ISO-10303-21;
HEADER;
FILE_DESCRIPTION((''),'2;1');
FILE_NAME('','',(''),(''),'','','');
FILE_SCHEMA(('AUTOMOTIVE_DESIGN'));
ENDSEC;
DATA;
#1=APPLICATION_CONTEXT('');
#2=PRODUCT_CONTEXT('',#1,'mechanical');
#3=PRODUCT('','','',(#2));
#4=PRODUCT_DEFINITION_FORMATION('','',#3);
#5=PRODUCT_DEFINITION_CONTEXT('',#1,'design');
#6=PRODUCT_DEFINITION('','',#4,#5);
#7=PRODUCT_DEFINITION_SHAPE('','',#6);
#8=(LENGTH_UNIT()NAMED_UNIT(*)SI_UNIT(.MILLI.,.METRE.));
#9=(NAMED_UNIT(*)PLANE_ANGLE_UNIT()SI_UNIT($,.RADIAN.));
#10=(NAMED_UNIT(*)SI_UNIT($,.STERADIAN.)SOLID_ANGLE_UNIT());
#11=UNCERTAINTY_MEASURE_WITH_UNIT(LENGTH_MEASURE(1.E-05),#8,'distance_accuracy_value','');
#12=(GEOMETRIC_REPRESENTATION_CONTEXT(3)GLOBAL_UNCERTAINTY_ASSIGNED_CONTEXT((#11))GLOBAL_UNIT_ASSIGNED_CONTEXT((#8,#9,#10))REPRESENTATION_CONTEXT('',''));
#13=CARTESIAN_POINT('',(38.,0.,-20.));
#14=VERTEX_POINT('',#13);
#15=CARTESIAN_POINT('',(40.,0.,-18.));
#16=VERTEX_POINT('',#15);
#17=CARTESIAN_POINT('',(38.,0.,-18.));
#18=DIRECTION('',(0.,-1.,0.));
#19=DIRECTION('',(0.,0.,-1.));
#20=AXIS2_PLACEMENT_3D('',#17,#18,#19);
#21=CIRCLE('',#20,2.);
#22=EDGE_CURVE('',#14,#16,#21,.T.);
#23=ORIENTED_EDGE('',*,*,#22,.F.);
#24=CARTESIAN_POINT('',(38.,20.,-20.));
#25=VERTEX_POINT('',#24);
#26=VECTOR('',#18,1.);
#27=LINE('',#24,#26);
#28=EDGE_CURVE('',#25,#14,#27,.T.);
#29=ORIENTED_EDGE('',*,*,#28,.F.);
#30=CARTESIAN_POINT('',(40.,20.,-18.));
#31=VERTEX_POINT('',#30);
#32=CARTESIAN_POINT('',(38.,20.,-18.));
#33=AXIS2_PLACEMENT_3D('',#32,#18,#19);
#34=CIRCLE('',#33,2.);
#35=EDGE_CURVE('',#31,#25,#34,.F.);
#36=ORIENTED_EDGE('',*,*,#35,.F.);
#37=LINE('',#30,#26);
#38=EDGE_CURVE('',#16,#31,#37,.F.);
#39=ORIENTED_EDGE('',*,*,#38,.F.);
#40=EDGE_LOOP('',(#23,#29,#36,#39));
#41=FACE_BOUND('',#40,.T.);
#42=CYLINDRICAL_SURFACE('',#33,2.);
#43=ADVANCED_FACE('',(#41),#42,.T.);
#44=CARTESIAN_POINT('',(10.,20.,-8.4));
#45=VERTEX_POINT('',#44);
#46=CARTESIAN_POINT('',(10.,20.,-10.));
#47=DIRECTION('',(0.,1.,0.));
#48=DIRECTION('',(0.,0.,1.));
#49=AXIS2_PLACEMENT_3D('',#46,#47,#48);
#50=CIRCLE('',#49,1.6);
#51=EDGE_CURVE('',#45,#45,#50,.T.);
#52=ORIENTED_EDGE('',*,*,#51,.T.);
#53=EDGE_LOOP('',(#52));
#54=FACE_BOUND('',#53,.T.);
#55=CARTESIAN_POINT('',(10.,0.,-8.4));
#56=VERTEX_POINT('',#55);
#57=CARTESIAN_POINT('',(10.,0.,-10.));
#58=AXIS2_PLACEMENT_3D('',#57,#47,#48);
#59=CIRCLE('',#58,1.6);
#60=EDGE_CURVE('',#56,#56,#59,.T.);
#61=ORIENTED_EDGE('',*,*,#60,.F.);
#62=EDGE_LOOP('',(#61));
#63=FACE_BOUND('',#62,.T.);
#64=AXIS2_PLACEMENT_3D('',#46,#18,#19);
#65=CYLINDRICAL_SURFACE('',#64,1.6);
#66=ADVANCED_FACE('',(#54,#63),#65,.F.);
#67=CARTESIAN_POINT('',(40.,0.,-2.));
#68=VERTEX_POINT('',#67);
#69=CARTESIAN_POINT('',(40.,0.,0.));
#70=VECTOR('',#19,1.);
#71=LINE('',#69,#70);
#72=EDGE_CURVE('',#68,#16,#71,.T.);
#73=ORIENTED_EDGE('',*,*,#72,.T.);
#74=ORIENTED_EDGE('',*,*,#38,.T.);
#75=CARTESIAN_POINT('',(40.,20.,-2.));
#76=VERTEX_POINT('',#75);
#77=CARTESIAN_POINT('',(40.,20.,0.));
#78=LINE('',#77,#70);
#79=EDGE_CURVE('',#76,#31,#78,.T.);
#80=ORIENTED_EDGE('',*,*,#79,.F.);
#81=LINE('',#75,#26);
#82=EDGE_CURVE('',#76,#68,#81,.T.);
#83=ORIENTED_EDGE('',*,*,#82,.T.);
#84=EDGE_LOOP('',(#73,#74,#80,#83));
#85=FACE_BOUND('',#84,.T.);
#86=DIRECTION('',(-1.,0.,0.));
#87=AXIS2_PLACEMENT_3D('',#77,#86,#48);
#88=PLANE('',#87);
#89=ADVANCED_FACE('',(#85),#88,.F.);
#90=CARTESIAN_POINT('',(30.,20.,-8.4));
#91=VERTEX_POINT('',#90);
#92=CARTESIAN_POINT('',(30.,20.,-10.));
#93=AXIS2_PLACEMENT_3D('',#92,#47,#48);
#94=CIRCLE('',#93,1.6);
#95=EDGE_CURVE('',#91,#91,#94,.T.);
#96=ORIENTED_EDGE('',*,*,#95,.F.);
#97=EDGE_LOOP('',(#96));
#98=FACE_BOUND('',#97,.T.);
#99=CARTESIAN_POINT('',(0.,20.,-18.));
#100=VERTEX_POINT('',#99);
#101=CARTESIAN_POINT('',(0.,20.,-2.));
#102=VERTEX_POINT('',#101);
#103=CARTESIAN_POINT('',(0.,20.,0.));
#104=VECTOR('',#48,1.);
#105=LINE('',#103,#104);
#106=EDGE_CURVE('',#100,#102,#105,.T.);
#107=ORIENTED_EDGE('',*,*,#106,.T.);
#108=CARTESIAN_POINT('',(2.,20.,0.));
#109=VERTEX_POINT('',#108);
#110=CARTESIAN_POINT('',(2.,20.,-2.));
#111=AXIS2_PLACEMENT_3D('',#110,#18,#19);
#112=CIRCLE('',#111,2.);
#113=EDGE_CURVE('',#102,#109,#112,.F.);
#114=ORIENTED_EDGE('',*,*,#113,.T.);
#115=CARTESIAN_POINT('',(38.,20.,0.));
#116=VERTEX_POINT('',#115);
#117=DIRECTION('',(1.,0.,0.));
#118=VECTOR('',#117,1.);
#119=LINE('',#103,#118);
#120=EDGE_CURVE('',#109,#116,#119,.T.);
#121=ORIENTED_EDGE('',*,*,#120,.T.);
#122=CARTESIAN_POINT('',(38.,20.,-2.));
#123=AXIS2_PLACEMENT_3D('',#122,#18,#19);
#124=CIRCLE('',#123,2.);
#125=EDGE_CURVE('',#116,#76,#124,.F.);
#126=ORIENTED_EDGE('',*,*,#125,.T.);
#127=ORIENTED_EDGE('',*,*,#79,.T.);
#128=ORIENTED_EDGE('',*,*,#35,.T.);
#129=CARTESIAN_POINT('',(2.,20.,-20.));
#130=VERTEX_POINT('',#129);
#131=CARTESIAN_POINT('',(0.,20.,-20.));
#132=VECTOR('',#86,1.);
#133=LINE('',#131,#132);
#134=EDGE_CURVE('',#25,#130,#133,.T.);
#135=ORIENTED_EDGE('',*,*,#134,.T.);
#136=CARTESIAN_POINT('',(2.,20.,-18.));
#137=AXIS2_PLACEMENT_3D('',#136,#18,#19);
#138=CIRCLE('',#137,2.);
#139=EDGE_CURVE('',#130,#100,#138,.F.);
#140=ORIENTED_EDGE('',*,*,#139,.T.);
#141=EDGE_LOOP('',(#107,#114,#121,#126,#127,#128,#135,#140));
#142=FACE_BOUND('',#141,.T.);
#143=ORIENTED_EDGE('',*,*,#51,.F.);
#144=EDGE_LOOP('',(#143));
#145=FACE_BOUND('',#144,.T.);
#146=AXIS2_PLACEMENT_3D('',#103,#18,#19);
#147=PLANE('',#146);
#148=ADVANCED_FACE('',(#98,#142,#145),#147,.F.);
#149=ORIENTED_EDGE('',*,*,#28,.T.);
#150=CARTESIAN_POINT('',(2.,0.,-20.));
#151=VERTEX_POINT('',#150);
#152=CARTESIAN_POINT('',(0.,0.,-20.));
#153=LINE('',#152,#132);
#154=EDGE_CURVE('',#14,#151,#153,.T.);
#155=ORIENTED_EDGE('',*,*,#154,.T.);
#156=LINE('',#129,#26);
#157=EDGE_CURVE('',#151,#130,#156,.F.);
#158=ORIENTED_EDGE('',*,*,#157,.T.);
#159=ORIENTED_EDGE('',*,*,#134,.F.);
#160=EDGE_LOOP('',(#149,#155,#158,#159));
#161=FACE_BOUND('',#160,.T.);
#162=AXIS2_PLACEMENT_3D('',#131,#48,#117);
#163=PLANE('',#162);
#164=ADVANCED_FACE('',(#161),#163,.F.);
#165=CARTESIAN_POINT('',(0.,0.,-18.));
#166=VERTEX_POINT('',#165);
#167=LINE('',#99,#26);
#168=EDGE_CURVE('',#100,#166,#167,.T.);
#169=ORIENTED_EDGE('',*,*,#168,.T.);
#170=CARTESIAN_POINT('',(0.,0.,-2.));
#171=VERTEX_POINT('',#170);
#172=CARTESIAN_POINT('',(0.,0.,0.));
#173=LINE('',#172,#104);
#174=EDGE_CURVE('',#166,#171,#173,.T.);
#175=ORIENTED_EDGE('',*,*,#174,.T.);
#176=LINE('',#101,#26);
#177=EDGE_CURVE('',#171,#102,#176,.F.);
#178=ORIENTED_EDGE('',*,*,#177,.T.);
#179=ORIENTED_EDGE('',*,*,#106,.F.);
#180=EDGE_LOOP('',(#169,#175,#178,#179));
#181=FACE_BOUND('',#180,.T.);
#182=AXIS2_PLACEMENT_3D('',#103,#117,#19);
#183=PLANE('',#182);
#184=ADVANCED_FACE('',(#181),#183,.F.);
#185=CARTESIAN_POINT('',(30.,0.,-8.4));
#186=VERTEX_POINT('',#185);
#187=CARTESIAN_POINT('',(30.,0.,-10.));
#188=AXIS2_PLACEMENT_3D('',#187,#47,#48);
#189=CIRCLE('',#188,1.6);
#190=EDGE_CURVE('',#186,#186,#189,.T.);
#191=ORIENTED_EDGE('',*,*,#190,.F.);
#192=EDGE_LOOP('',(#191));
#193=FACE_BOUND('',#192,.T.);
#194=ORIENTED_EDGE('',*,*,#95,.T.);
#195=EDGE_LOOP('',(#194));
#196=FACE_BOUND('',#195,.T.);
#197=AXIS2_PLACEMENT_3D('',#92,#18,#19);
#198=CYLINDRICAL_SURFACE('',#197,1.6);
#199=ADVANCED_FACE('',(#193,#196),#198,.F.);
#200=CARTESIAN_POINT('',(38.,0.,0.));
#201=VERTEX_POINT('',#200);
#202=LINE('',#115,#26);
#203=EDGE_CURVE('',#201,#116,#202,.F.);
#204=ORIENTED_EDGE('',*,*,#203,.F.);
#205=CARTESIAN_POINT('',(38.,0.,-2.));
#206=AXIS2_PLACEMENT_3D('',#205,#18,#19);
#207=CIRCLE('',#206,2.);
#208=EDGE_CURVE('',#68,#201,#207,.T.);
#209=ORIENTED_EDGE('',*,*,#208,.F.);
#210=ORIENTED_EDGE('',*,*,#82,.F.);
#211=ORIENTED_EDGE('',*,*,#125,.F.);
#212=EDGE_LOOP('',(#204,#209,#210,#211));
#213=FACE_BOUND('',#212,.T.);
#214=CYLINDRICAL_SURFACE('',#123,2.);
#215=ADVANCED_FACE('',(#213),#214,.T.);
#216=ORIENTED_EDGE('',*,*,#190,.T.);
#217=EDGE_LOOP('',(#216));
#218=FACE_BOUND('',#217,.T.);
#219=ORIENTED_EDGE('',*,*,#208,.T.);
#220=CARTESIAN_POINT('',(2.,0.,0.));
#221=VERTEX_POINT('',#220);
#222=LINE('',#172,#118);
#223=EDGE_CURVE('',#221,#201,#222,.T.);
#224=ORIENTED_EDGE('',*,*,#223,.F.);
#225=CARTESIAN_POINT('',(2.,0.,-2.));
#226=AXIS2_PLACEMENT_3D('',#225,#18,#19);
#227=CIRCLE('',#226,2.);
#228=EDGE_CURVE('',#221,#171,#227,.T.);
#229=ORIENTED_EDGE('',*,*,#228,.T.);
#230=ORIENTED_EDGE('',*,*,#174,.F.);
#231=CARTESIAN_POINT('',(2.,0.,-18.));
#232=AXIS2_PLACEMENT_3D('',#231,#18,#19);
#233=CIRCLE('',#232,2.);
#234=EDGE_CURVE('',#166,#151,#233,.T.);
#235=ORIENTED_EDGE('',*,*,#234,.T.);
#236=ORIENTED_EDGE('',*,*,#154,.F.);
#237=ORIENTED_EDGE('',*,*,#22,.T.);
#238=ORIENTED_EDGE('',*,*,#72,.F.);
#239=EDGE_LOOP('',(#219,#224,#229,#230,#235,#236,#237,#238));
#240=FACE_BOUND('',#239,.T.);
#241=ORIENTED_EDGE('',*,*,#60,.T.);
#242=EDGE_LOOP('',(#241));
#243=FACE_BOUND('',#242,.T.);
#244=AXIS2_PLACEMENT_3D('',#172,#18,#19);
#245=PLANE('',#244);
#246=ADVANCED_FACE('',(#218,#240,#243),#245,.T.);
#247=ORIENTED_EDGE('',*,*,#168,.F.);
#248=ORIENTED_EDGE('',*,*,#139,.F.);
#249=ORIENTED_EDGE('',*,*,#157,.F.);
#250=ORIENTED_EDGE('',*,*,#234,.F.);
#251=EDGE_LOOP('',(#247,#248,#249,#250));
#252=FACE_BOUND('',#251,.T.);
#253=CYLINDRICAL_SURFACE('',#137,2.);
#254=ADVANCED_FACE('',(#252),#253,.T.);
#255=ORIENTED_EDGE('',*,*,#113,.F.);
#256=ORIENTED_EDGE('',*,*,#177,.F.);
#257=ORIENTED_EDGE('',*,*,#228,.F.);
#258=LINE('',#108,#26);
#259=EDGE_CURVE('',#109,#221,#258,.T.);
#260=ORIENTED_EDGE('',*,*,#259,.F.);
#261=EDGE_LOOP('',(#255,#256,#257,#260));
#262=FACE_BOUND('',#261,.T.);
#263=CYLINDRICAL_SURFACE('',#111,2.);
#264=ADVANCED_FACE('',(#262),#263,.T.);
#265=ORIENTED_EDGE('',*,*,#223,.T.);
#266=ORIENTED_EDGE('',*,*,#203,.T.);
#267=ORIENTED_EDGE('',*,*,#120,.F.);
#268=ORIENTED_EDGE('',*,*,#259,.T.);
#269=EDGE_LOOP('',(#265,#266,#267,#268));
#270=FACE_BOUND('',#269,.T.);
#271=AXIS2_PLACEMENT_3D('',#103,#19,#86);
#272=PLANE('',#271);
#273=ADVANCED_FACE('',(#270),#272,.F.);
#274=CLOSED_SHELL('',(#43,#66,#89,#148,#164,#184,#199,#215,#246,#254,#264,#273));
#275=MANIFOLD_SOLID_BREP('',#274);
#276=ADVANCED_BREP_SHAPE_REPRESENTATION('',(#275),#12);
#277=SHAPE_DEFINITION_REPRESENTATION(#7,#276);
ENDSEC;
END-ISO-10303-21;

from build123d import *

# Parameters (mm, degrees)
SKETCH1_W           = 40
SKETCH1_H           = 20
SKETCH1_R           = 1.6
BOSS_EXTRUDE1_DEPTH = 20
FILLET1_R           = 2


with BuildPart() as part:
    # Sketch1 → Boss-Extrude1 (new body)
    with BuildSketch(Plane(origin=(0, 0, 0), x_dir=(1, 0, 0), z_dir=(0, 1, 0))):
        with Locations((20, 10)):
            Rectangle(SKETCH1_W, SKETCH1_H)
        with Locations(Location((10, 10, 0), (0, 0, 270))):
            Circle(SKETCH1_R, mode=Mode.SUBTRACT)
        with Locations(Location((30, 10, 0), (0, 0, 270))):
            Circle(SKETCH1_R, mode=Mode.SUBTRACT)
    extrude(amount=BOSS_EXTRUDE1_DEPTH)

    # Fillet1
    fillet1_edges = [part.edges().sort_by_distance(p)[0] for p in [
        (0, 10, -20),
        (40, 10, -20),
        (40, 10, 0),
        (0, 10, 0),
    ]]
    fillet(fillet1_edges, radius=FILLET1_R)


solid = part.part
